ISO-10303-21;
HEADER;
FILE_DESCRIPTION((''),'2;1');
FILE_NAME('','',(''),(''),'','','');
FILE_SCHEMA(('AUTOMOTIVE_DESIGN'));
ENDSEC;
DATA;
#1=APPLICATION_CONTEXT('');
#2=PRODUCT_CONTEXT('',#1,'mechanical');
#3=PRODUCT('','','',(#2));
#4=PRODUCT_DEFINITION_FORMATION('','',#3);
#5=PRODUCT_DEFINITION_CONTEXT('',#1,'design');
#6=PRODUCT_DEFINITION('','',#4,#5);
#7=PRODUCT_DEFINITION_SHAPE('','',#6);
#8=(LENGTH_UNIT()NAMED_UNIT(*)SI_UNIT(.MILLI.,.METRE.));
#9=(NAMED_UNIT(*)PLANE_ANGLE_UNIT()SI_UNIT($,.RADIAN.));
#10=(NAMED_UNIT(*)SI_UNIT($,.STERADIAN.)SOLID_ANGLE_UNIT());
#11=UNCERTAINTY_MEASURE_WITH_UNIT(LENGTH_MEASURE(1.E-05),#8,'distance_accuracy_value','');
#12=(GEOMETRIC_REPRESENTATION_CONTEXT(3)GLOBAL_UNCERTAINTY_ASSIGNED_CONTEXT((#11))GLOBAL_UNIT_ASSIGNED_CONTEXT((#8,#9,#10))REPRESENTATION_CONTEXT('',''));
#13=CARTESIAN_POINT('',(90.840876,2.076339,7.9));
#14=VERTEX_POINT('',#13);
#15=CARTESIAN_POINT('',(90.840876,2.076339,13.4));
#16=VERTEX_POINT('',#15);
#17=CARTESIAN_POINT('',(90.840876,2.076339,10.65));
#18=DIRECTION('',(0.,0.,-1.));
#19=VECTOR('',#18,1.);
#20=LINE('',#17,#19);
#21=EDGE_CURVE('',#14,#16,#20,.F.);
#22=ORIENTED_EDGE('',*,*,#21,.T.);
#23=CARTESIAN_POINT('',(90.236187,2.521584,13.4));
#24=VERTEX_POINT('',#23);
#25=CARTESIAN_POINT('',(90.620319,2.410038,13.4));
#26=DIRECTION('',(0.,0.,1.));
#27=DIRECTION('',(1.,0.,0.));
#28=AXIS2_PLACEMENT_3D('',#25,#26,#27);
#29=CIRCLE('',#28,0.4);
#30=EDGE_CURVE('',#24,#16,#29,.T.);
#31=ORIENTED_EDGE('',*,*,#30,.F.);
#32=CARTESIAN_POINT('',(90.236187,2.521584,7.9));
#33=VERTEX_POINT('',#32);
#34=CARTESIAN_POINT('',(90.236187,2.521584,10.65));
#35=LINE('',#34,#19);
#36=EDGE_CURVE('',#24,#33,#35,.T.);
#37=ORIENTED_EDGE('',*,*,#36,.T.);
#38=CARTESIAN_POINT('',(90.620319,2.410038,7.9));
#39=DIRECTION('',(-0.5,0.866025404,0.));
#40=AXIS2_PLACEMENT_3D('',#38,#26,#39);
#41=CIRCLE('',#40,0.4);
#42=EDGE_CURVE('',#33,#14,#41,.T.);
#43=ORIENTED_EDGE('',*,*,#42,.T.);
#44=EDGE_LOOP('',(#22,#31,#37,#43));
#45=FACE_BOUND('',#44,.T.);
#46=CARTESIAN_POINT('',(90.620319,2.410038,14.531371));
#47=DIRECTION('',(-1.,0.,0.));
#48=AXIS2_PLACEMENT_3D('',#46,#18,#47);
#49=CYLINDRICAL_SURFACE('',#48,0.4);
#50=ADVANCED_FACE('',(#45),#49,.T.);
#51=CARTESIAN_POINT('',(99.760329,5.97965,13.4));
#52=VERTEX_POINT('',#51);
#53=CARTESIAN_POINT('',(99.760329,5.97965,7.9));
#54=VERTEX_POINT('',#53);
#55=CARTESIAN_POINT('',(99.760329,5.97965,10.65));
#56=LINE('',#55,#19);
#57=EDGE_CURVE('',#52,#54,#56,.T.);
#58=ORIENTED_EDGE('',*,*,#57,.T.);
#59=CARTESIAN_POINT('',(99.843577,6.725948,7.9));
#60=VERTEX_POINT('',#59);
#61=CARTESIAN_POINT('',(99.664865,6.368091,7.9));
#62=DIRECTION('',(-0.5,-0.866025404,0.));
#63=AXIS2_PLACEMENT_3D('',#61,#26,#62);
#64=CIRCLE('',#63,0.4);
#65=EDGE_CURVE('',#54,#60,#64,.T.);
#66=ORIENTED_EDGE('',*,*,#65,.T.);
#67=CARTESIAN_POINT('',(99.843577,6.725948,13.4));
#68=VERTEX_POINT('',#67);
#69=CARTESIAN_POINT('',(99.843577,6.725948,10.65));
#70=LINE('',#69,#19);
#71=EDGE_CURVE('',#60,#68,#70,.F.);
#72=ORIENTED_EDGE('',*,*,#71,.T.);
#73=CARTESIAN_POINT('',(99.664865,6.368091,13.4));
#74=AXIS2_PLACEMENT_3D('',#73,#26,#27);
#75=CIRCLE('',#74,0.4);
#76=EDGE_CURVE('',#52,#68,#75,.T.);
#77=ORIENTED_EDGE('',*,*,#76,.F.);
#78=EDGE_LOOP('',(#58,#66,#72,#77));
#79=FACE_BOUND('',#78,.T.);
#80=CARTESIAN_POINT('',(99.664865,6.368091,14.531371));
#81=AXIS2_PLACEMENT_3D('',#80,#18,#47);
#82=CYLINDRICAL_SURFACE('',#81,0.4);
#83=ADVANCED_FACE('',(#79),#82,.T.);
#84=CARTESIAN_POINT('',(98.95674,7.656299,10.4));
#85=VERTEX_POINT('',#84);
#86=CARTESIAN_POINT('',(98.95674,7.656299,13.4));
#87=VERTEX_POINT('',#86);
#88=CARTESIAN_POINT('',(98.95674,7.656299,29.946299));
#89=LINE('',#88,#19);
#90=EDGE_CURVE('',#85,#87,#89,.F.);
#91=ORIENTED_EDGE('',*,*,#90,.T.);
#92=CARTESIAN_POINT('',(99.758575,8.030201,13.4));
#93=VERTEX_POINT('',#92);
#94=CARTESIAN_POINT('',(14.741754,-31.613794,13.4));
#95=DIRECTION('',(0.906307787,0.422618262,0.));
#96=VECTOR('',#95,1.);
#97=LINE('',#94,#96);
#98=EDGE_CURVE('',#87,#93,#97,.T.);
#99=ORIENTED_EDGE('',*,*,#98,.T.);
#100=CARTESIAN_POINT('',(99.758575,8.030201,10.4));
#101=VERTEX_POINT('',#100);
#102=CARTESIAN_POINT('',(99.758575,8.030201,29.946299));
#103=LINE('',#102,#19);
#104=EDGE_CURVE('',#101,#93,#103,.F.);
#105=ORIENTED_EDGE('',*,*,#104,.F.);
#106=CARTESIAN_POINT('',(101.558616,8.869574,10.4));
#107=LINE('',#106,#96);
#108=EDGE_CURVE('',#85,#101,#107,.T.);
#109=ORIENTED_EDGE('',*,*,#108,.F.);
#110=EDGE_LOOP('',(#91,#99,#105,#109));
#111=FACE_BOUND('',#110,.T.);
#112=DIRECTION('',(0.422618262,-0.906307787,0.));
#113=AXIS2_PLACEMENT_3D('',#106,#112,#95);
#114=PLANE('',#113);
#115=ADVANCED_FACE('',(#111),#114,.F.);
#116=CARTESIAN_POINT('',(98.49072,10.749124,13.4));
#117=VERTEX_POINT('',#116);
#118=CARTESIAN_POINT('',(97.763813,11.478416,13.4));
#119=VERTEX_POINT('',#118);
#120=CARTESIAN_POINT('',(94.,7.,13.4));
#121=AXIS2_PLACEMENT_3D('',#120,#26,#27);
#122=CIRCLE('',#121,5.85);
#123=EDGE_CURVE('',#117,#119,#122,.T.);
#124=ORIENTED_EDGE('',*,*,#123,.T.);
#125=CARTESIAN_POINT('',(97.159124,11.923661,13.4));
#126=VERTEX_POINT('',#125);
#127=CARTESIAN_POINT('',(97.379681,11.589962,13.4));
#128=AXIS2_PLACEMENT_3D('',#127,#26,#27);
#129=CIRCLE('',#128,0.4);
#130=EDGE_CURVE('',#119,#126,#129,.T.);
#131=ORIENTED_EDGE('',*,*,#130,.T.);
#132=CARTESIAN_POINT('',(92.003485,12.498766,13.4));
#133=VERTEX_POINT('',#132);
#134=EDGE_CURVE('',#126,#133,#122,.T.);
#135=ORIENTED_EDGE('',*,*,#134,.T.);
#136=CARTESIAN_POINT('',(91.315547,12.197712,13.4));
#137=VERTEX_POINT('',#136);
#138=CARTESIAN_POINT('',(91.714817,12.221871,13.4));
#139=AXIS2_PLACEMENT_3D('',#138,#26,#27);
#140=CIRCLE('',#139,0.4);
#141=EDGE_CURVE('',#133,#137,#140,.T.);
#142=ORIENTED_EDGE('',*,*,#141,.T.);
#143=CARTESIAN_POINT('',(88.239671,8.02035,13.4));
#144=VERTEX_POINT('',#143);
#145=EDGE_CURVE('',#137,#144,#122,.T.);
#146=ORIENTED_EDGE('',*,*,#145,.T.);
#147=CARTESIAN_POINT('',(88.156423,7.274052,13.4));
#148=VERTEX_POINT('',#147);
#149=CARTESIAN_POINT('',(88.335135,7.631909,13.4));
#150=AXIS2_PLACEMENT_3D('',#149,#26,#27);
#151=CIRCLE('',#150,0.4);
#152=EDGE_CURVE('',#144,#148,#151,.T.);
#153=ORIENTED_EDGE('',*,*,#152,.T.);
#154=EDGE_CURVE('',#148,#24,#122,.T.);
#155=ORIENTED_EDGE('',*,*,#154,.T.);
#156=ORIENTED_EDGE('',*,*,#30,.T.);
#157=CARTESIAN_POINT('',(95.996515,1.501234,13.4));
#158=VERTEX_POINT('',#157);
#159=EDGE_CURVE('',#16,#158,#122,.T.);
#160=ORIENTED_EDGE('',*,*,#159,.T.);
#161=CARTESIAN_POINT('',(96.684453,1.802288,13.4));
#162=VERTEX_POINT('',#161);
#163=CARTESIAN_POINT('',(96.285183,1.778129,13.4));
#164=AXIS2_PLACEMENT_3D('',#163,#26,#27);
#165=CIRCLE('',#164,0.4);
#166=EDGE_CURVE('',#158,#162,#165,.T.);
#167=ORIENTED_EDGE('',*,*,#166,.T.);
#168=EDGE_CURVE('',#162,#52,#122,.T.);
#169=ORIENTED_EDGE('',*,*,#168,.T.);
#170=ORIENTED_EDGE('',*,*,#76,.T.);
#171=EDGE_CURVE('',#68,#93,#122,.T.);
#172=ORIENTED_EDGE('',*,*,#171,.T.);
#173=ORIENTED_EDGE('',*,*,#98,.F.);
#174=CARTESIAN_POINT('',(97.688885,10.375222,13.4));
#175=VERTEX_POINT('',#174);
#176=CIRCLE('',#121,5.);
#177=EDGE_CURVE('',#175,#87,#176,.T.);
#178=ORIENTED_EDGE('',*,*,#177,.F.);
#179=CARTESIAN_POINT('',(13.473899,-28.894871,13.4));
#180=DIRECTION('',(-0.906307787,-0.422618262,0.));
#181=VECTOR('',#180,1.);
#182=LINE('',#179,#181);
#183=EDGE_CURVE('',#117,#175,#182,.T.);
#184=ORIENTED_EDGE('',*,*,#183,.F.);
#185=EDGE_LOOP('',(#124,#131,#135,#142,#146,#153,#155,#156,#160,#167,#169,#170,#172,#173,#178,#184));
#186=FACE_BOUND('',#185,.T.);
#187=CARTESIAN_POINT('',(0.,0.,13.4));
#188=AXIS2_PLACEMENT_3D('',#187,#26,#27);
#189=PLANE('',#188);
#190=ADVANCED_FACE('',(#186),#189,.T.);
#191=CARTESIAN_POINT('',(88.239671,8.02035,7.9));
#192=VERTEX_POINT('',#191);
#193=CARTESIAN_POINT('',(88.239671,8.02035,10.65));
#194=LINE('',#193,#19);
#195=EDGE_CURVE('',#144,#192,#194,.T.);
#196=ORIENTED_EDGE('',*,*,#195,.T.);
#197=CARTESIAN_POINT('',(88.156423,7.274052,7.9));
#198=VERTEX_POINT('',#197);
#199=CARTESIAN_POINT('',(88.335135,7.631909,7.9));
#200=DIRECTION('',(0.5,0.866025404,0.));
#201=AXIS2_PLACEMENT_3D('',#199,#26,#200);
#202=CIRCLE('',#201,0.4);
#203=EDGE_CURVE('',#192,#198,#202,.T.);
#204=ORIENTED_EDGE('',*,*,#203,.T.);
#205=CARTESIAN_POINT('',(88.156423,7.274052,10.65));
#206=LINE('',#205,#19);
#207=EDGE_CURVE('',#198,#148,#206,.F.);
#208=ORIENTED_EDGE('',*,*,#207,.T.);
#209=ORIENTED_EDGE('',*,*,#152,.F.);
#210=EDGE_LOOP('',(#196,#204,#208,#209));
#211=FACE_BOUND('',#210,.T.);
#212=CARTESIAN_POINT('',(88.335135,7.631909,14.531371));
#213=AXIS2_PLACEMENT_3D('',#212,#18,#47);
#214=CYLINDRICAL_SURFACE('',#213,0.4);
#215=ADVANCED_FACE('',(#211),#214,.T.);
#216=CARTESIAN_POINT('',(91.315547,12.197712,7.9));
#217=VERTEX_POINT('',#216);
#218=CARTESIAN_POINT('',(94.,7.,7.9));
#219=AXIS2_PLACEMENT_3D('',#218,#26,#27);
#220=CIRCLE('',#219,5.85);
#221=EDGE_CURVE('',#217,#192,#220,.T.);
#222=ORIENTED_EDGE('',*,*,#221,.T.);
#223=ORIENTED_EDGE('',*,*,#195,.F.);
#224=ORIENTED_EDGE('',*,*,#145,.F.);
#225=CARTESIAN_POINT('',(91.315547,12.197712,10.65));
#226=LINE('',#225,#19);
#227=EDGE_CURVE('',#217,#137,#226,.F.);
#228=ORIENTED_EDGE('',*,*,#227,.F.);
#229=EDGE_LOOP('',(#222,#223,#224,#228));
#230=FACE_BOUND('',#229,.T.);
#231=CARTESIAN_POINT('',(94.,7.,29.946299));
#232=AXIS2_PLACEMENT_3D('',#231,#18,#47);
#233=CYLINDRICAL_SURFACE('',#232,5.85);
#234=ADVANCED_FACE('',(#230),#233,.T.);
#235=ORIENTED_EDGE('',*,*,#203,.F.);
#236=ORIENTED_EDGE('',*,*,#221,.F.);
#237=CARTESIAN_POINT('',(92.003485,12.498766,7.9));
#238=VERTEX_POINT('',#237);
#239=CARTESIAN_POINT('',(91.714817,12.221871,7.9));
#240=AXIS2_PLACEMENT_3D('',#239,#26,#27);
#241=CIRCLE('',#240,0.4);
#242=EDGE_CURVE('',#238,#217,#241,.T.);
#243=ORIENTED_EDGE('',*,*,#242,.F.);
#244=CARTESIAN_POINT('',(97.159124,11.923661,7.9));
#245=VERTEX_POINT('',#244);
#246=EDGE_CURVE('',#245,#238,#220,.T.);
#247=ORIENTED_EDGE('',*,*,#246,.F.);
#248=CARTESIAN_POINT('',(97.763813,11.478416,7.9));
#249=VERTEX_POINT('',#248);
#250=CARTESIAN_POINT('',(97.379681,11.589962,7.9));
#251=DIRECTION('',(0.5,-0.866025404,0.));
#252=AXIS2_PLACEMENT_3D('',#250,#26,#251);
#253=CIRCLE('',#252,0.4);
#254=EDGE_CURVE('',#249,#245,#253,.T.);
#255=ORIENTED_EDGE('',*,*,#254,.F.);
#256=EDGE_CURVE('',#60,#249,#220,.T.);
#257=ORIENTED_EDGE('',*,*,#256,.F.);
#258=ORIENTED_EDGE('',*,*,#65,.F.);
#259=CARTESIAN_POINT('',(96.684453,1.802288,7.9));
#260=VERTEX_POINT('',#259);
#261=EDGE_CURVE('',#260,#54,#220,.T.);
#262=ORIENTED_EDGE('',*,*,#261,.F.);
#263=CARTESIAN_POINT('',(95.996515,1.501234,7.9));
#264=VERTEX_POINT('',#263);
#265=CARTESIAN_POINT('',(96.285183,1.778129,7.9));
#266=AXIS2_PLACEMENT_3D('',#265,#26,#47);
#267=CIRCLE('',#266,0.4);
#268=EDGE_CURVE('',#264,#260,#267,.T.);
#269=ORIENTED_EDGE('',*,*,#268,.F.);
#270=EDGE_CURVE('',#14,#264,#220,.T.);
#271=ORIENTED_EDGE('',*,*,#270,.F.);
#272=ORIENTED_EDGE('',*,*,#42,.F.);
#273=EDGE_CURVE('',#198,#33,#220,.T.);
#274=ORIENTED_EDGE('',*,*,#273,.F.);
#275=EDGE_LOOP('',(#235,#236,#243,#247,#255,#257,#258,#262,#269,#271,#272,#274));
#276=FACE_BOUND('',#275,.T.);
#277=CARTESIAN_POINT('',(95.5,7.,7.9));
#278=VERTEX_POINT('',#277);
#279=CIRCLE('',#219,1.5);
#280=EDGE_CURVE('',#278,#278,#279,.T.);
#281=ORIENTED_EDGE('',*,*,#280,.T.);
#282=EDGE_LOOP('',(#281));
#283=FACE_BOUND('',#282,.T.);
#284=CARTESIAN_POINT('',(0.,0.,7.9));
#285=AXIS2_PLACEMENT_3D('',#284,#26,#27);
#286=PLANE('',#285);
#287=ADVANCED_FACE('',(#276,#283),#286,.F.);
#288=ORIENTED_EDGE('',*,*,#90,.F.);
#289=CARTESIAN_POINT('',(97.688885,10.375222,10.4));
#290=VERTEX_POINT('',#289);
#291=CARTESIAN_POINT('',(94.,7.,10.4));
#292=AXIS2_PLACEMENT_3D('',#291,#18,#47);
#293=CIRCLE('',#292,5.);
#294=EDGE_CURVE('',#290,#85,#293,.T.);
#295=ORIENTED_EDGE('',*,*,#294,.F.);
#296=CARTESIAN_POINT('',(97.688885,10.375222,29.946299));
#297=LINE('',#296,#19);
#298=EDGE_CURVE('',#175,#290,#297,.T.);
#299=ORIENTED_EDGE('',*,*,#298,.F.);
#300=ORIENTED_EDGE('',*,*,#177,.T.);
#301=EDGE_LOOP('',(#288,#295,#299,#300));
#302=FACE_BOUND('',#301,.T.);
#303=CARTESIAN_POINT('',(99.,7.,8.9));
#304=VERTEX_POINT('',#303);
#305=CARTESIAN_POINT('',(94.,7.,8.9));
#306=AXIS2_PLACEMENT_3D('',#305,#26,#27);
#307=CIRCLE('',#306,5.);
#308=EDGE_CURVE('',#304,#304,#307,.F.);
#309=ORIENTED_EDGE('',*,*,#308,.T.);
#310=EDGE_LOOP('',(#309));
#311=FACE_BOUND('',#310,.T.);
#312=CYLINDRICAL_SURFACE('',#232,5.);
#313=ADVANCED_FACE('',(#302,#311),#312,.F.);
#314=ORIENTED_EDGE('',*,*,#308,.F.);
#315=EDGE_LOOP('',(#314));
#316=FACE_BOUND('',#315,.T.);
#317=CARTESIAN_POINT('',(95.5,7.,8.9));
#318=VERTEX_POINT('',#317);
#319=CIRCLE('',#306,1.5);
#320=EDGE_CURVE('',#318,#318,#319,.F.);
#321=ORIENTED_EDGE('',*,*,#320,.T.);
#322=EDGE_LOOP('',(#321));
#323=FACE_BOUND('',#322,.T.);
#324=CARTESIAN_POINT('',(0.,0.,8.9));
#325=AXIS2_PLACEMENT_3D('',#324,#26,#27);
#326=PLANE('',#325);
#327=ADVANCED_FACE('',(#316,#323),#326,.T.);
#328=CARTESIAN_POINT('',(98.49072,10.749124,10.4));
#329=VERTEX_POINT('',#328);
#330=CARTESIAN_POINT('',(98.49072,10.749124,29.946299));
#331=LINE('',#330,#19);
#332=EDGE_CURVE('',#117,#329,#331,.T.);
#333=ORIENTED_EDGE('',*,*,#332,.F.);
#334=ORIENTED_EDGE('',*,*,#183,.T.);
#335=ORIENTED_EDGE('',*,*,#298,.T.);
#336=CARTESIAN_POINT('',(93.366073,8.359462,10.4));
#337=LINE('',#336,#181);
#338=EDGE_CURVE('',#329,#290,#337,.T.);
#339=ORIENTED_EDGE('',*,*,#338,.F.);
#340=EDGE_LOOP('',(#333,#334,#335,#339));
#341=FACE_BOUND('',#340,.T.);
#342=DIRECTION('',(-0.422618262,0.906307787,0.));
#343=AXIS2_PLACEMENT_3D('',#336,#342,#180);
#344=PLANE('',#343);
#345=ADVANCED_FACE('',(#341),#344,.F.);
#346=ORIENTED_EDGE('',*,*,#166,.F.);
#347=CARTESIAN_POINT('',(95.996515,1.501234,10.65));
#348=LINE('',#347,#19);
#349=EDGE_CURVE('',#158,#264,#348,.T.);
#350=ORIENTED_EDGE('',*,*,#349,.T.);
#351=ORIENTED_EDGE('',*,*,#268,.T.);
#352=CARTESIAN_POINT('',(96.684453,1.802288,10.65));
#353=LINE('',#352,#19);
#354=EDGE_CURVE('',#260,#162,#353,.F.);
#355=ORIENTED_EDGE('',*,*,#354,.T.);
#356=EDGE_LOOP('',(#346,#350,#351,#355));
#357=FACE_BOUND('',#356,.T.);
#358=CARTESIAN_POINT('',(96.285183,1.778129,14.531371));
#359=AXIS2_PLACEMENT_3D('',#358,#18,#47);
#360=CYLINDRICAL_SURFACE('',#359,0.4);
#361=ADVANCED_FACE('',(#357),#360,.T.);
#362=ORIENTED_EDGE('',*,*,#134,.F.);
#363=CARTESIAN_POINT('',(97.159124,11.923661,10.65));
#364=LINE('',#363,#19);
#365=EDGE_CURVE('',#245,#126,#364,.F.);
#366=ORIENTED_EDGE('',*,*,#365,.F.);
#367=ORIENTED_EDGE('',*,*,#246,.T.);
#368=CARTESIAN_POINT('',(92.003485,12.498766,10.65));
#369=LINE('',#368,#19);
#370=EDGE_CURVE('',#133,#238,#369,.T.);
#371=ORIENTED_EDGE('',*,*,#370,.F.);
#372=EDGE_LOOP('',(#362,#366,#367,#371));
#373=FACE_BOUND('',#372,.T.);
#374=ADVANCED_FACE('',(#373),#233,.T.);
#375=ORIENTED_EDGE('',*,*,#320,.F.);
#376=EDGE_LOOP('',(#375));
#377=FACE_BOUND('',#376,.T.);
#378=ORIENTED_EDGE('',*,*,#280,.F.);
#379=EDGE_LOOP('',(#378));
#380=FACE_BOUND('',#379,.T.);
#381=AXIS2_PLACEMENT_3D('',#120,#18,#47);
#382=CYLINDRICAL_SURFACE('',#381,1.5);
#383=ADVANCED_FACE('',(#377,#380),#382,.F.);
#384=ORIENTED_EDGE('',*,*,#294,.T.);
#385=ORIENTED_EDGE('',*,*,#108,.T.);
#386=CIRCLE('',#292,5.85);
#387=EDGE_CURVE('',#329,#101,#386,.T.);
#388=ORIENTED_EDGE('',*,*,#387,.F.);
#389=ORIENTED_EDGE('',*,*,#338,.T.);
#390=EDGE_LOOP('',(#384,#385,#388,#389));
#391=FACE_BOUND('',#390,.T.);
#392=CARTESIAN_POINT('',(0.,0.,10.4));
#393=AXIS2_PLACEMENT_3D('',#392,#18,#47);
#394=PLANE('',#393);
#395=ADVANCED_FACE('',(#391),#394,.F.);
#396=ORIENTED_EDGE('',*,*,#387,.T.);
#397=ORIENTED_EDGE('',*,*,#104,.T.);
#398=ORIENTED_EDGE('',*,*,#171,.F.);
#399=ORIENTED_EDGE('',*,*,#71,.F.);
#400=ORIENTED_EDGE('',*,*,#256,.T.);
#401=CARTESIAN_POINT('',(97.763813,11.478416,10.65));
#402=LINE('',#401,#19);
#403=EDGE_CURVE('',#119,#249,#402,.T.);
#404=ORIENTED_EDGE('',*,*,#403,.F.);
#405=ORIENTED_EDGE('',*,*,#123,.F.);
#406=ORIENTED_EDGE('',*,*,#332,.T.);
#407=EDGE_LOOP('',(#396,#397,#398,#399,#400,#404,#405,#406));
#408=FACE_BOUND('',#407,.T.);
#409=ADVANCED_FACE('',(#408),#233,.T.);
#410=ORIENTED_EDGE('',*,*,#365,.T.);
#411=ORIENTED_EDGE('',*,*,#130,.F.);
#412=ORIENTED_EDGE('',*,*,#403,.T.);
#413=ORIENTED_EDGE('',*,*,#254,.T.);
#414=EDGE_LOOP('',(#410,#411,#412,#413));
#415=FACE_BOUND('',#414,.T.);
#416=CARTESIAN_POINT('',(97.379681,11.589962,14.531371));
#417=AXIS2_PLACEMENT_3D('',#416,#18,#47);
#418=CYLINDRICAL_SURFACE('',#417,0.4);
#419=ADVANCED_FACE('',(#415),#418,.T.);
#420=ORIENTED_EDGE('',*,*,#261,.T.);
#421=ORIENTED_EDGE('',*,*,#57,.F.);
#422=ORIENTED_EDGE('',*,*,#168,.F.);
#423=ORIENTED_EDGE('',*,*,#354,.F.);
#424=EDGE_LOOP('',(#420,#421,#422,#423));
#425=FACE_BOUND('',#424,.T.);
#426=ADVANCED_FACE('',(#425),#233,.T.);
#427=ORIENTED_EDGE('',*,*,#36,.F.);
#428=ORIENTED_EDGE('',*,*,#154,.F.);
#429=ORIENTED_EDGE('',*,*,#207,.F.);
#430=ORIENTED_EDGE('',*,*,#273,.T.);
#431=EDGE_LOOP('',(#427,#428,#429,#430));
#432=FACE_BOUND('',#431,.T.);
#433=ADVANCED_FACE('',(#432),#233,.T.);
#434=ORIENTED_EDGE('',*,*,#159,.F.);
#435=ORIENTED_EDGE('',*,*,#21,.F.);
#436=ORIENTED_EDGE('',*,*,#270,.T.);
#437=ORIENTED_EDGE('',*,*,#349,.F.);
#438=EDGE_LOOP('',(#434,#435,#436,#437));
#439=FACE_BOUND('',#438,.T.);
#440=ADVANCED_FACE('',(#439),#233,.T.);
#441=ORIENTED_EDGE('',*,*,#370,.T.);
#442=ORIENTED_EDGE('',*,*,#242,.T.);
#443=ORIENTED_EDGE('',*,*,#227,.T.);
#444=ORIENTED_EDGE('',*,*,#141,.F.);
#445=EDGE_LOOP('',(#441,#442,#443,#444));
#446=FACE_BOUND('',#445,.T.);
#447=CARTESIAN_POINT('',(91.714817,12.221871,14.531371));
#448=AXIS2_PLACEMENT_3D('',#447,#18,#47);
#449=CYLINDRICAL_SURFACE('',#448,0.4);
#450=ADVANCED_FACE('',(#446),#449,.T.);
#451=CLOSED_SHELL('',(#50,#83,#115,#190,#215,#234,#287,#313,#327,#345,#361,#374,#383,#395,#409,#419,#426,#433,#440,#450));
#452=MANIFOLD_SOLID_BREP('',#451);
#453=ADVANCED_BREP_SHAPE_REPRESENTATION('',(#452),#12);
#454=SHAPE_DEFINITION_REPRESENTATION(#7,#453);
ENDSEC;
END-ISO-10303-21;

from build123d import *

# Parameters (mm, degrees)
SKIZZE2_R                       = 5
AUFSATZ_LINEAR_AUSTRAGEN1_DEPTH = 1
SKIZZE2_4_R                     = 5.85
SKIZZE2_4_R_2                   = 5
AUFSATZ_LINEAR_AUSTRAGEN2_DEPTH = 5.5
SKIZZE3_R                       = 0.4
AUFSATZ_LINEAR_AUSTRAGEN3_DEPTH = 5.5
KREISMUSTER1_COUNT              = 6
SCHNITT_LINEAR_AUSTRAGEN1_DEPTH = 3
SKIZZE5_R                       = 1.5
SCHNITT_LINEAR_AUSTRAGEN2_DEPTH = 102.03637778


with BuildPart() as part:
    # Skizze2 → Aufsatz-Linear austragen1 (new body)
    with BuildSketch(Plane.XY.offset(7.9)):
        with Locations((94, 7)):
            Circle(SKIZZE2_R)
    extrude(amount=AUFSATZ_LINEAR_AUSTRAGEN1_DEPTH)

    # Skizze2<4> → Aufsatz-Linear austragen2 (add)
    with BuildSketch(Plane.XY.offset(7.9)):
        with Locations(Location((94, 7, 0), (0, 0, 180))):
            Circle(SKIZZE2_4_R)
        with Locations(Location((94, 7, 0), (0, 0, 180))):
            Circle(SKIZZE2_4_R_2, mode=Mode.SUBTRACT)
    extrude(amount=AUFSATZ_LINEAR_AUSTRAGEN2_DEPTH)

    # Skizze3 → Aufsatz-Linear austragen3 (add)
    with BuildSketch(Plane.XY.offset(7.9)):
        with Locations((91.714816695, 12.22187105)):
            Circle(SKIZZE3_R)
    aufsatz_linear_austragen3 = extrude(amount=AUFSATZ_LINEAR_AUSTRAGEN3_DEPTH)

    # Kreismuster1: Aufsatz-Linear austragen3 ×6 about axis
    kreismuster1_axis = Axis((94, 7, 0), (0, 0, 1))
    for i in range(1, KREISMUSTER1_COUNT):
        add(aufsatz_linear_austragen3.rotate(kreismuster1_axis, i * 360 / KREISMUSTER1_COUNT))

    # Skizze4 → Schnitt-Linear austragen1 (cut)
    with BuildSketch(Plane.XY.offset(13.4)):
        Polygon((93.366072607, 8.359461681), (100.290761443, 11.588497115), (101.558616228, 8.869573754), (94.633927393, 5.640538319), align=None)
    extrude(amount=-SCHNITT_LINEAR_AUSTRAGEN1_DEPTH, mode=Mode.SUBTRACT)

    # Skizze5 → Schnitt-Linear austragen2 (cut, through all)
    with BuildSketch(Plane.XY.offset(7.9)):
        with Locations((94, 7)):
            Circle(SKIZZE5_R)
    extrude(amount=SCHNITT_LINEAR_AUSTRAGEN2_DEPTH, mode=Mode.SUBTRACT)


solid = part.part
